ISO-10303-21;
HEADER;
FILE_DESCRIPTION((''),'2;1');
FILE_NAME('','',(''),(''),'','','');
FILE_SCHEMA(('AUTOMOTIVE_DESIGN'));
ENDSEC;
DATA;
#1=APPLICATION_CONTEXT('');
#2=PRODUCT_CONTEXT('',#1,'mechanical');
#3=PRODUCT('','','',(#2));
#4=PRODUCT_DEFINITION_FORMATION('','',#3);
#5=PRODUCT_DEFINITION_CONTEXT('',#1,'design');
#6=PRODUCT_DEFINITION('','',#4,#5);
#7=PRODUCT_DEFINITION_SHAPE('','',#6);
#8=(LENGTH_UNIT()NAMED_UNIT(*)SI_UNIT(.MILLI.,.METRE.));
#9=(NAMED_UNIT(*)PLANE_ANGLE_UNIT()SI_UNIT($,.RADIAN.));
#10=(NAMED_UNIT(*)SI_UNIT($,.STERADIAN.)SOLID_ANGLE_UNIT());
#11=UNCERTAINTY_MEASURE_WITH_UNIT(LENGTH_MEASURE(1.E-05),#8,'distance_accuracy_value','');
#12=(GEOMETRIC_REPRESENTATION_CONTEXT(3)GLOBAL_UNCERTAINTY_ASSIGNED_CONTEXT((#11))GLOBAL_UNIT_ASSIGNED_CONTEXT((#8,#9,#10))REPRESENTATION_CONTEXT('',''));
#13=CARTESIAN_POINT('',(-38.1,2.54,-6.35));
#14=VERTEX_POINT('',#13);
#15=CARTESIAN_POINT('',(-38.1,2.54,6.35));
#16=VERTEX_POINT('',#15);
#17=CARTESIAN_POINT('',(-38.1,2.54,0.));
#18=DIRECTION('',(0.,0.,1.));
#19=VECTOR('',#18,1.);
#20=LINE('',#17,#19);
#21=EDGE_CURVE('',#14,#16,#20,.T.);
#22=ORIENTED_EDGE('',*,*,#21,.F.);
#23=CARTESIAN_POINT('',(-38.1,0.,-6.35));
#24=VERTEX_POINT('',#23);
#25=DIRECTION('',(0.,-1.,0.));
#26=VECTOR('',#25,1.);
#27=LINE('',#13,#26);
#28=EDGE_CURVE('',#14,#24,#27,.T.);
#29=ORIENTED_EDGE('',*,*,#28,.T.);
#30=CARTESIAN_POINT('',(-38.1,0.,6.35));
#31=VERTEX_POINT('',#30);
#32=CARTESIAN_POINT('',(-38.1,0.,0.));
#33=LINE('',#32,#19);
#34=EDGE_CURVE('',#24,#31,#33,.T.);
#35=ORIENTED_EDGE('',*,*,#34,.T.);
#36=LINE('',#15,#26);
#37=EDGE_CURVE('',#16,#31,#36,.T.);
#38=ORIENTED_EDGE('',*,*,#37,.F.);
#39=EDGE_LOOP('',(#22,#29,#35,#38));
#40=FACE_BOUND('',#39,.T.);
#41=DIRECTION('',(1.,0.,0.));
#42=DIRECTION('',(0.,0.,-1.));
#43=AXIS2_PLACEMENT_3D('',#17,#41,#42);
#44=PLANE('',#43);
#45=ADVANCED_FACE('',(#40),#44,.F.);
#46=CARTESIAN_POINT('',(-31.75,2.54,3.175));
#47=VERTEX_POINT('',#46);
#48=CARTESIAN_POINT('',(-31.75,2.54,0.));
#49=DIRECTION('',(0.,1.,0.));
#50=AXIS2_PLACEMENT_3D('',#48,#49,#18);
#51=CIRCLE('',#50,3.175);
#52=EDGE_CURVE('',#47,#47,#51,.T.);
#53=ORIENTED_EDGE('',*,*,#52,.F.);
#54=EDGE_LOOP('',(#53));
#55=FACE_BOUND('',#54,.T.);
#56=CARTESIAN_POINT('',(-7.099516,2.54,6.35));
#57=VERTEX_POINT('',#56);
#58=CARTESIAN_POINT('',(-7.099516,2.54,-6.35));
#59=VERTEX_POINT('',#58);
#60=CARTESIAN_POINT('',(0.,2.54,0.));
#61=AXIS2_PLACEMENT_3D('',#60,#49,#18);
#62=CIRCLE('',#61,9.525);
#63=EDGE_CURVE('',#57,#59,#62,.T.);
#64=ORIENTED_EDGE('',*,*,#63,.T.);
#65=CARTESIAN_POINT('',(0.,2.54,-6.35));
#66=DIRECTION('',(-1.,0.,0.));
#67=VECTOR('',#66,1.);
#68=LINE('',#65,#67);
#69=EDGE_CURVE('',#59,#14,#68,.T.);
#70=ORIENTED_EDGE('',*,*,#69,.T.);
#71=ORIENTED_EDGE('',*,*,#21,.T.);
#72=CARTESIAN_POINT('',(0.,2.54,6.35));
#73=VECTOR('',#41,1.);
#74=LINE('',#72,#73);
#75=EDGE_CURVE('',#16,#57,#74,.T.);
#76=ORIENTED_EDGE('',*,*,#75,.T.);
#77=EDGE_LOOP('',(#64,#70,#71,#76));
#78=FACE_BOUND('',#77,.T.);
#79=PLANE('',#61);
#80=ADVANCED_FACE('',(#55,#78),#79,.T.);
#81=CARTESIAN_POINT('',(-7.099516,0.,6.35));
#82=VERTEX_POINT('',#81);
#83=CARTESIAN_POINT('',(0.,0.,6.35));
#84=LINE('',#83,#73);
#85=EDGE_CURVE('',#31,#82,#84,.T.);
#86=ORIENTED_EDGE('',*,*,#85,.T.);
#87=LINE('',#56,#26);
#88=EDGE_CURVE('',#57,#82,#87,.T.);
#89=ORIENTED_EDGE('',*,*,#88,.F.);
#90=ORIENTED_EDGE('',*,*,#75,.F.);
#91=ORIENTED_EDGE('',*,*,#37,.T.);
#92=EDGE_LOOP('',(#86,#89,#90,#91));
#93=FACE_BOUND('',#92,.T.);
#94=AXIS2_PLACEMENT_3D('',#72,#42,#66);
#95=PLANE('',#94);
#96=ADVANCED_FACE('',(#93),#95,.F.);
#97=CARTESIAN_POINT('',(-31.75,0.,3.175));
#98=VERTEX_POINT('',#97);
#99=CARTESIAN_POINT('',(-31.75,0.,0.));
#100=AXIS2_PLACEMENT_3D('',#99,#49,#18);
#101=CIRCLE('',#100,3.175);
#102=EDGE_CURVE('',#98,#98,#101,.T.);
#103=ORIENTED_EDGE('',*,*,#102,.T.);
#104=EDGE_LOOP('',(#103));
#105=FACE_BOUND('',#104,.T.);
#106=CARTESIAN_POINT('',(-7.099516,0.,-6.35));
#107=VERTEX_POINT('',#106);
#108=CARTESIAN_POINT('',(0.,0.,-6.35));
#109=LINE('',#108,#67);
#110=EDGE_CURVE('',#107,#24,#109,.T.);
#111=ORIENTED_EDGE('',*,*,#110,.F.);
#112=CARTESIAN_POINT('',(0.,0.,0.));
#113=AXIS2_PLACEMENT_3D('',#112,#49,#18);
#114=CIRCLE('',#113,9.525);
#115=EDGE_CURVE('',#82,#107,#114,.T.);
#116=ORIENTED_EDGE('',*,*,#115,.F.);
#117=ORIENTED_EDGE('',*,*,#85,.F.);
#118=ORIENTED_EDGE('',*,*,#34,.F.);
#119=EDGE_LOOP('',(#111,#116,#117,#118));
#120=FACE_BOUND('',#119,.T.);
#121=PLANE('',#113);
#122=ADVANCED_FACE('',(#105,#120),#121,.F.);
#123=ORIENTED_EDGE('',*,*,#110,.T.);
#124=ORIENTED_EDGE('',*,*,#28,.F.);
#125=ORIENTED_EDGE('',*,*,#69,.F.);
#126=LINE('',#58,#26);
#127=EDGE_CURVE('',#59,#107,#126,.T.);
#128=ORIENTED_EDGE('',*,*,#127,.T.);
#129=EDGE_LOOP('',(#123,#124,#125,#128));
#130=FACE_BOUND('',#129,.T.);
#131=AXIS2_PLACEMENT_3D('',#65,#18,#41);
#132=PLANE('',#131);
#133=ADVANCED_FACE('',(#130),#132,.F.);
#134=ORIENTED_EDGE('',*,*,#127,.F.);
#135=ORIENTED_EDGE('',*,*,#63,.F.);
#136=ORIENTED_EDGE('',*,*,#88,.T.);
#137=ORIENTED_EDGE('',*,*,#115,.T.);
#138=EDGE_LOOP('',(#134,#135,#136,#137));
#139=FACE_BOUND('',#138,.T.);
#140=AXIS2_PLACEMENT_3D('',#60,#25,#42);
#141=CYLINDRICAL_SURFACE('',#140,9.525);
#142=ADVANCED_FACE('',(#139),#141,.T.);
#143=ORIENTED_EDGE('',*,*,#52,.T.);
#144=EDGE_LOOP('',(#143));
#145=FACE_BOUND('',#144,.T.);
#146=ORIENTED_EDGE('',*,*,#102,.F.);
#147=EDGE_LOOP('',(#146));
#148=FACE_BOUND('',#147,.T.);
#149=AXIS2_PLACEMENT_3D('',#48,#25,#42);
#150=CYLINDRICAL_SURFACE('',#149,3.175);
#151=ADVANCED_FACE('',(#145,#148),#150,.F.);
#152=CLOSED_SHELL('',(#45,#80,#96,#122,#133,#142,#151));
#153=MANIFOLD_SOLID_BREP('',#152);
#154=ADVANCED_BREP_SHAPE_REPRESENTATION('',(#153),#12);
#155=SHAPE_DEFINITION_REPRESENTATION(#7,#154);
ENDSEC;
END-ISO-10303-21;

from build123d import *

# Parameters (mm, degrees)
SKETCH1_R           = 3.175
BOSS_EXTRUDE1_DEPTH = 2.54


with BuildPart() as part:
    # Sketch1 → Boss-Extrude1 (new body)
    with BuildSketch(Plane(origin=(0, 0, 0), x_dir=(1, 0, 0), z_dir=(0, 1, 0))):
        with BuildLine():
            Line((-7.099515829, 6.35), (-38.1, 6.35))
            Line((-38.1, 6.35), (-38.1, -6.35))
            Line((-38.1, -6.35), (-7.099515829, -6.35))
            ThreePointArc((-7.099515829, -6.35), (9.525, 0), (-7.099515829, 6.35))
        make_face()
        with Locations((-31.75, 0)):
            Circle(SKETCH1_R, mode=Mode.SUBTRACT)
    extrude(amount=BOSS_EXTRUDE1_DEPTH)


solid = part.part
